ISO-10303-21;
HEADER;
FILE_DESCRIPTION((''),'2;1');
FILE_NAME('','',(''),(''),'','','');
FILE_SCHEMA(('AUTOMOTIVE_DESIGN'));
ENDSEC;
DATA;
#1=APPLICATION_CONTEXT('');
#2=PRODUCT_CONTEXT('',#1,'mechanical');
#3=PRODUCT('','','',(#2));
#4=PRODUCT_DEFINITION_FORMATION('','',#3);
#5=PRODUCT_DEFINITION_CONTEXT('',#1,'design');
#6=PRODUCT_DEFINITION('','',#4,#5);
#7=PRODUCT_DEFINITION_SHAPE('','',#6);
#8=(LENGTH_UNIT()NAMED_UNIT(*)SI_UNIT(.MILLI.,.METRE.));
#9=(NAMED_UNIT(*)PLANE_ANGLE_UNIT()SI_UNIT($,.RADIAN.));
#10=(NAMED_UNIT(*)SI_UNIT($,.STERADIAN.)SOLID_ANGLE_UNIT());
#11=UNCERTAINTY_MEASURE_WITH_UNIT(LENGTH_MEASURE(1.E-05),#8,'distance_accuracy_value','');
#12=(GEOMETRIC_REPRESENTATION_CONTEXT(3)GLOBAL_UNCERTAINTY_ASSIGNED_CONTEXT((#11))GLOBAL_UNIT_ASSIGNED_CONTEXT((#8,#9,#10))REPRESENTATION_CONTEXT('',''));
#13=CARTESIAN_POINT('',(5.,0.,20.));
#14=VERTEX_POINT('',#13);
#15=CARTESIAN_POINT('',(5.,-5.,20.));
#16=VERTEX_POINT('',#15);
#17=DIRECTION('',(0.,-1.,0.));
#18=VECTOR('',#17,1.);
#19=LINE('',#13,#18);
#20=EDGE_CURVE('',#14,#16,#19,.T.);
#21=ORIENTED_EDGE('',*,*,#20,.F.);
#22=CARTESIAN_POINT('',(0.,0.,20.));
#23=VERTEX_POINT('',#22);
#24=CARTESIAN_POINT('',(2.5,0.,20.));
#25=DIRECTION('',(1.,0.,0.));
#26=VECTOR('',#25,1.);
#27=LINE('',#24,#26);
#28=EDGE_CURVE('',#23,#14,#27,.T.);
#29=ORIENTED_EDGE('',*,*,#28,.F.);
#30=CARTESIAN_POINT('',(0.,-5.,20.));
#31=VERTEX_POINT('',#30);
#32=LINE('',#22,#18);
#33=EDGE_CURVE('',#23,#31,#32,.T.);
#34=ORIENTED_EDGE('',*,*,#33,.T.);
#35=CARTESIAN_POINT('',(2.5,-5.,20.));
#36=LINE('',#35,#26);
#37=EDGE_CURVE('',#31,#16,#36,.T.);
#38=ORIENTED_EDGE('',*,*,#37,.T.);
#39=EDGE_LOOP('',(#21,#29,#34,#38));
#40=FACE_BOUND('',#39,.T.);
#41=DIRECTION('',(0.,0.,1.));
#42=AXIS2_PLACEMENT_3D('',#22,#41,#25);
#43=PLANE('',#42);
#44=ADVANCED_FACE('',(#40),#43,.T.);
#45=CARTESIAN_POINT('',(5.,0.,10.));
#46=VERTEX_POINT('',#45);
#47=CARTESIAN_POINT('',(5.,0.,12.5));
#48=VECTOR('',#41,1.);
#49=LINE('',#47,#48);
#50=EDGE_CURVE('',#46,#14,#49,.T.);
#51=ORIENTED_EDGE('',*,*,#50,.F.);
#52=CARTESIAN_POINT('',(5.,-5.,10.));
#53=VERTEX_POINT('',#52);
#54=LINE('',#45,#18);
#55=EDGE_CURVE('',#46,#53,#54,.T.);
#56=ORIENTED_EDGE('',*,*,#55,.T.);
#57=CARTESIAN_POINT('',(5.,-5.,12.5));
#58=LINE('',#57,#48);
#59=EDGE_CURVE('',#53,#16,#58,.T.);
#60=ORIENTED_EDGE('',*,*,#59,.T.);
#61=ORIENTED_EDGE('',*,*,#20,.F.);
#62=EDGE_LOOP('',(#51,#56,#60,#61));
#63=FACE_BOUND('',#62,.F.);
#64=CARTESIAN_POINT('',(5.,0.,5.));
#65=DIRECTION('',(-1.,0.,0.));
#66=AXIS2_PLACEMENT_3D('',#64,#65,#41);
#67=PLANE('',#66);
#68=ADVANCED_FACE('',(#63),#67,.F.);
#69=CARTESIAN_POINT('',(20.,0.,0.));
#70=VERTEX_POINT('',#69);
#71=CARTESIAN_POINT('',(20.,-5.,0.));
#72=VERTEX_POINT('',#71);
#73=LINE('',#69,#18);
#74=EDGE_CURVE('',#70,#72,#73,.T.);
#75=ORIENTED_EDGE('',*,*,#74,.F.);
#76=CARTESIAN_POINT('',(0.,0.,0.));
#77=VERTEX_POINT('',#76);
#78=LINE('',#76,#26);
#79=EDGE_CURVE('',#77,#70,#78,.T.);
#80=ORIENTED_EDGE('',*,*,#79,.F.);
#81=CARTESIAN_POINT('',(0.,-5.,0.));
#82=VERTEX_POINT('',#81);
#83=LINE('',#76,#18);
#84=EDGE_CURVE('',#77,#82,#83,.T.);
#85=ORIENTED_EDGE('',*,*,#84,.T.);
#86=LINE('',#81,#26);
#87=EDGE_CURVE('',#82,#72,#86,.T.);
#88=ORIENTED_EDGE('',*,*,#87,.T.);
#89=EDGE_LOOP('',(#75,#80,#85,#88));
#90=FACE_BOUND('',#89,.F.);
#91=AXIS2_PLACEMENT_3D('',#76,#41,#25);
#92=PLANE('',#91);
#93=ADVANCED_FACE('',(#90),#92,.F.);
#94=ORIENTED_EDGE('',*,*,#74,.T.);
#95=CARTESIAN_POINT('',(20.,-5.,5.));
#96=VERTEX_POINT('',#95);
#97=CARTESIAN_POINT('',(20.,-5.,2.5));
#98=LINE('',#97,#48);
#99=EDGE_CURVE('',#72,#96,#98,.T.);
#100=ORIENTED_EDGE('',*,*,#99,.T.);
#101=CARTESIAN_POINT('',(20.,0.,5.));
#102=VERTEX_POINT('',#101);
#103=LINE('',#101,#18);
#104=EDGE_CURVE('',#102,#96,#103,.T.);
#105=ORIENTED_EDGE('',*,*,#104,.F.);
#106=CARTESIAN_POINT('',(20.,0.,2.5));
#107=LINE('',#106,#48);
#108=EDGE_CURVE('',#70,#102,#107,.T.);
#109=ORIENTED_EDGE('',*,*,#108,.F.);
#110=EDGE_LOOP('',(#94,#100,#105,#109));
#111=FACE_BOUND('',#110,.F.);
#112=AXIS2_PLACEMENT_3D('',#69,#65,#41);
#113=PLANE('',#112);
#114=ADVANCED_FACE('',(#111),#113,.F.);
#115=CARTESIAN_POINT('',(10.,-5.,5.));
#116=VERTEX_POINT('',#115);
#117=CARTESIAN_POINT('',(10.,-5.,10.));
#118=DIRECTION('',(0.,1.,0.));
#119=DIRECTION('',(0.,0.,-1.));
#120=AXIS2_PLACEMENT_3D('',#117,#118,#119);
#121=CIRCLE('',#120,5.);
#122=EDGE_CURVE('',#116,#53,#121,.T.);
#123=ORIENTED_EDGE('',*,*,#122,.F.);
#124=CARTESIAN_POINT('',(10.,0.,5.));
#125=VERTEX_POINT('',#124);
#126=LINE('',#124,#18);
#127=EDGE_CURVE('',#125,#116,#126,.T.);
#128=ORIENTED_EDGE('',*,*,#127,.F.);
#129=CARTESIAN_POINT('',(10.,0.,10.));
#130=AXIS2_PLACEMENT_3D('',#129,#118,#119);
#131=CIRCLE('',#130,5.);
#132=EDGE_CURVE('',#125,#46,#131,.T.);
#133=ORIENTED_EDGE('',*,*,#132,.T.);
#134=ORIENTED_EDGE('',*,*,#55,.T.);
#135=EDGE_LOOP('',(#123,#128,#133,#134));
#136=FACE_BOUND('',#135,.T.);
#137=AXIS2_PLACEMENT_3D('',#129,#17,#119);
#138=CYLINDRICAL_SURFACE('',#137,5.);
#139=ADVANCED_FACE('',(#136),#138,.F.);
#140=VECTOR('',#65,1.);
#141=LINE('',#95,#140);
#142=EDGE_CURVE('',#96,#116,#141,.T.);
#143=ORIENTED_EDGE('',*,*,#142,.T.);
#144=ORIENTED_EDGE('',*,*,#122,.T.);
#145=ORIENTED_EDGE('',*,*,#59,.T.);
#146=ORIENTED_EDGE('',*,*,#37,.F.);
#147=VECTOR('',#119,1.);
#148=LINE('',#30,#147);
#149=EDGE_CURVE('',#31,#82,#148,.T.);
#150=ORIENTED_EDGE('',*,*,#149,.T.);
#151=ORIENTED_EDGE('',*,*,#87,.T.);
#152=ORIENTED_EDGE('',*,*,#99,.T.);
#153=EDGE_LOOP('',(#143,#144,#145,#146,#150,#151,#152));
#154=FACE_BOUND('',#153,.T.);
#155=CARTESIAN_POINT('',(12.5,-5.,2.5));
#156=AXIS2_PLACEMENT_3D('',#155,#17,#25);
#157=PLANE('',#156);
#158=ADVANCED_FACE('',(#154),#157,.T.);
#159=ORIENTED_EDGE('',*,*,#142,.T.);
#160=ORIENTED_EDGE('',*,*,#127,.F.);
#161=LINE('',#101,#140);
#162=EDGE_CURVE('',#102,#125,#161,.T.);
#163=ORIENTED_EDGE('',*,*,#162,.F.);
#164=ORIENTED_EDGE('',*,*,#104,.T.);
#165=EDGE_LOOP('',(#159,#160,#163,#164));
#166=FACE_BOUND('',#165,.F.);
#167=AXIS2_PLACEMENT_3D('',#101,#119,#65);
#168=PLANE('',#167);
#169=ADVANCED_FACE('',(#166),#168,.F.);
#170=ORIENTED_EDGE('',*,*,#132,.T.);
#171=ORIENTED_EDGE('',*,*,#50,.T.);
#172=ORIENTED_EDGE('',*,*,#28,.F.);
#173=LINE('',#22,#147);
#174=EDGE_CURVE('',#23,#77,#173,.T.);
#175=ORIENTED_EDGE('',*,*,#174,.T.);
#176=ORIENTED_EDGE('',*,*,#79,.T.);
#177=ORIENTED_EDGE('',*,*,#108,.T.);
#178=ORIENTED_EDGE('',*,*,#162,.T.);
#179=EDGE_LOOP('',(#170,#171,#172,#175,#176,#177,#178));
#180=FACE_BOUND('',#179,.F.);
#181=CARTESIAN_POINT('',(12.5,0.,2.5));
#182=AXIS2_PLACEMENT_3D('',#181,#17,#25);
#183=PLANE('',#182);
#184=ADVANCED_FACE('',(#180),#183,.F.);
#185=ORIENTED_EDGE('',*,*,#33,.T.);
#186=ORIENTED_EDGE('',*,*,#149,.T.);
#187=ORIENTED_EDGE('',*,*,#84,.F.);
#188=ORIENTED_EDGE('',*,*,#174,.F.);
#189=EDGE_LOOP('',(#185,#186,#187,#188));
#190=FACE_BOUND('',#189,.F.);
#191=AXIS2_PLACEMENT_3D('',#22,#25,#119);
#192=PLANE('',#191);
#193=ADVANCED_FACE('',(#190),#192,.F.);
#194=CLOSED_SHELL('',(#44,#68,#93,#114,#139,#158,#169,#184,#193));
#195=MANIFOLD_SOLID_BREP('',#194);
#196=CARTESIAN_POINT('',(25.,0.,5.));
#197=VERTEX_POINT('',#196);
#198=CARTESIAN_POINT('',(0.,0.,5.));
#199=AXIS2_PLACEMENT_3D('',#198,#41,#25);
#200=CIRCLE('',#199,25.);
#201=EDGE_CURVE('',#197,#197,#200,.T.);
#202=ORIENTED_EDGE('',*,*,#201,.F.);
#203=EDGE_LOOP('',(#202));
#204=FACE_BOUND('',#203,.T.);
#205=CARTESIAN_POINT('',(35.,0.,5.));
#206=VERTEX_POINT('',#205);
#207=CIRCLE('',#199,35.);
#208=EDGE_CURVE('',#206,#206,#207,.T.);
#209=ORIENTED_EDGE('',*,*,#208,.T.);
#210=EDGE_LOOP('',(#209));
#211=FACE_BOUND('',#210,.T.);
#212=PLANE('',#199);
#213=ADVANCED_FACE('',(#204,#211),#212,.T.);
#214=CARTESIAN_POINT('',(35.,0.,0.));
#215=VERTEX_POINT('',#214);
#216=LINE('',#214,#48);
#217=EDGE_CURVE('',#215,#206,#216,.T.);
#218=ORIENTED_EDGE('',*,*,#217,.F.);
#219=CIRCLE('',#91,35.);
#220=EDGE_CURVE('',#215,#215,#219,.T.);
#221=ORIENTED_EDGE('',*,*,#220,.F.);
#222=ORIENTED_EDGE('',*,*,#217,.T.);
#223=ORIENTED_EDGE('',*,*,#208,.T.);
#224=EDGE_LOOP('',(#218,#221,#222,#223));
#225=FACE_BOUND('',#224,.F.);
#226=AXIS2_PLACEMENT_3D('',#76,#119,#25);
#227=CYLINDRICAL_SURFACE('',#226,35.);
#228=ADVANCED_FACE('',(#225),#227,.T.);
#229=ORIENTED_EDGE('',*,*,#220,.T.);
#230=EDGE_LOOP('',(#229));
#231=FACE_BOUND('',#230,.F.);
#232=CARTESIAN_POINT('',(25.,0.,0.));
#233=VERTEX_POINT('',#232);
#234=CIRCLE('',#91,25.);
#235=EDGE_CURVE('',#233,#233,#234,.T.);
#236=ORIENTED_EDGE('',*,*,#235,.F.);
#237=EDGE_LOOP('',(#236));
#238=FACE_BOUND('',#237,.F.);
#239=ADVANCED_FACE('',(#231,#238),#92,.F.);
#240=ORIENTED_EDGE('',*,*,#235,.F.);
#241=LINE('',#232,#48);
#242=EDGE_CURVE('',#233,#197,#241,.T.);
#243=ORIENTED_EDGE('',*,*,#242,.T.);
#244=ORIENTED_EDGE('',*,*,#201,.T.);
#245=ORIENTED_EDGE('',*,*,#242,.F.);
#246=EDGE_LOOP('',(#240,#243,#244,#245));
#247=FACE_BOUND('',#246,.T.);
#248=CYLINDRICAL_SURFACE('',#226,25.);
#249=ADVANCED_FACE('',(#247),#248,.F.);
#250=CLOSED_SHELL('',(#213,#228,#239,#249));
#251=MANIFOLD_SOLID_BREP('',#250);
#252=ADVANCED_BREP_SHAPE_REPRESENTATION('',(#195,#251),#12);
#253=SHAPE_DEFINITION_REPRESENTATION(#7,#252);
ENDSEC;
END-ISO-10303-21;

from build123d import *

# Parameters (mm, degrees)
F0_R     = 35
F0_R_2   = 25
F1_DEPTH = 5
F3_W     = 15
F3_H     = 5
F3_W_2   = 5
F3_H_2   = 15
F4_DEPTH = 5
F5_R     = 5


with BuildPart() as f1:
    # F0 (on Top) → F1 (new body)
    with BuildSketch(Plane.XY):
        Circle(F0_R)
        Circle(F0_R_2, mode=Mode.SUBTRACT)
    extrude(amount=F1_DEPTH)


with BuildPart() as f4:
    # F3 (on Front) → F4 (new body)
    with BuildSketch(Plane.XZ):
        with Locations((12.5, 2.5)):
            Rectangle(F3_W, F3_H)
        with Locations((2.5, 2.5)):
            Rectangle(F3_W_2, F3_H)
        with Locations((2.5, 12.5)):
            Rectangle(F3_W_2, F3_H_2)
    extrude(amount=F4_DEPTH)

    # F5
    f5_edges = [f4.edges().sort_by_distance(p)[0] for p in [
        (5, -2.5, 5),
    ]]
    fillet(f5_edges, radius=F5_R)


solid = Compound([f1.part, f4.part])
